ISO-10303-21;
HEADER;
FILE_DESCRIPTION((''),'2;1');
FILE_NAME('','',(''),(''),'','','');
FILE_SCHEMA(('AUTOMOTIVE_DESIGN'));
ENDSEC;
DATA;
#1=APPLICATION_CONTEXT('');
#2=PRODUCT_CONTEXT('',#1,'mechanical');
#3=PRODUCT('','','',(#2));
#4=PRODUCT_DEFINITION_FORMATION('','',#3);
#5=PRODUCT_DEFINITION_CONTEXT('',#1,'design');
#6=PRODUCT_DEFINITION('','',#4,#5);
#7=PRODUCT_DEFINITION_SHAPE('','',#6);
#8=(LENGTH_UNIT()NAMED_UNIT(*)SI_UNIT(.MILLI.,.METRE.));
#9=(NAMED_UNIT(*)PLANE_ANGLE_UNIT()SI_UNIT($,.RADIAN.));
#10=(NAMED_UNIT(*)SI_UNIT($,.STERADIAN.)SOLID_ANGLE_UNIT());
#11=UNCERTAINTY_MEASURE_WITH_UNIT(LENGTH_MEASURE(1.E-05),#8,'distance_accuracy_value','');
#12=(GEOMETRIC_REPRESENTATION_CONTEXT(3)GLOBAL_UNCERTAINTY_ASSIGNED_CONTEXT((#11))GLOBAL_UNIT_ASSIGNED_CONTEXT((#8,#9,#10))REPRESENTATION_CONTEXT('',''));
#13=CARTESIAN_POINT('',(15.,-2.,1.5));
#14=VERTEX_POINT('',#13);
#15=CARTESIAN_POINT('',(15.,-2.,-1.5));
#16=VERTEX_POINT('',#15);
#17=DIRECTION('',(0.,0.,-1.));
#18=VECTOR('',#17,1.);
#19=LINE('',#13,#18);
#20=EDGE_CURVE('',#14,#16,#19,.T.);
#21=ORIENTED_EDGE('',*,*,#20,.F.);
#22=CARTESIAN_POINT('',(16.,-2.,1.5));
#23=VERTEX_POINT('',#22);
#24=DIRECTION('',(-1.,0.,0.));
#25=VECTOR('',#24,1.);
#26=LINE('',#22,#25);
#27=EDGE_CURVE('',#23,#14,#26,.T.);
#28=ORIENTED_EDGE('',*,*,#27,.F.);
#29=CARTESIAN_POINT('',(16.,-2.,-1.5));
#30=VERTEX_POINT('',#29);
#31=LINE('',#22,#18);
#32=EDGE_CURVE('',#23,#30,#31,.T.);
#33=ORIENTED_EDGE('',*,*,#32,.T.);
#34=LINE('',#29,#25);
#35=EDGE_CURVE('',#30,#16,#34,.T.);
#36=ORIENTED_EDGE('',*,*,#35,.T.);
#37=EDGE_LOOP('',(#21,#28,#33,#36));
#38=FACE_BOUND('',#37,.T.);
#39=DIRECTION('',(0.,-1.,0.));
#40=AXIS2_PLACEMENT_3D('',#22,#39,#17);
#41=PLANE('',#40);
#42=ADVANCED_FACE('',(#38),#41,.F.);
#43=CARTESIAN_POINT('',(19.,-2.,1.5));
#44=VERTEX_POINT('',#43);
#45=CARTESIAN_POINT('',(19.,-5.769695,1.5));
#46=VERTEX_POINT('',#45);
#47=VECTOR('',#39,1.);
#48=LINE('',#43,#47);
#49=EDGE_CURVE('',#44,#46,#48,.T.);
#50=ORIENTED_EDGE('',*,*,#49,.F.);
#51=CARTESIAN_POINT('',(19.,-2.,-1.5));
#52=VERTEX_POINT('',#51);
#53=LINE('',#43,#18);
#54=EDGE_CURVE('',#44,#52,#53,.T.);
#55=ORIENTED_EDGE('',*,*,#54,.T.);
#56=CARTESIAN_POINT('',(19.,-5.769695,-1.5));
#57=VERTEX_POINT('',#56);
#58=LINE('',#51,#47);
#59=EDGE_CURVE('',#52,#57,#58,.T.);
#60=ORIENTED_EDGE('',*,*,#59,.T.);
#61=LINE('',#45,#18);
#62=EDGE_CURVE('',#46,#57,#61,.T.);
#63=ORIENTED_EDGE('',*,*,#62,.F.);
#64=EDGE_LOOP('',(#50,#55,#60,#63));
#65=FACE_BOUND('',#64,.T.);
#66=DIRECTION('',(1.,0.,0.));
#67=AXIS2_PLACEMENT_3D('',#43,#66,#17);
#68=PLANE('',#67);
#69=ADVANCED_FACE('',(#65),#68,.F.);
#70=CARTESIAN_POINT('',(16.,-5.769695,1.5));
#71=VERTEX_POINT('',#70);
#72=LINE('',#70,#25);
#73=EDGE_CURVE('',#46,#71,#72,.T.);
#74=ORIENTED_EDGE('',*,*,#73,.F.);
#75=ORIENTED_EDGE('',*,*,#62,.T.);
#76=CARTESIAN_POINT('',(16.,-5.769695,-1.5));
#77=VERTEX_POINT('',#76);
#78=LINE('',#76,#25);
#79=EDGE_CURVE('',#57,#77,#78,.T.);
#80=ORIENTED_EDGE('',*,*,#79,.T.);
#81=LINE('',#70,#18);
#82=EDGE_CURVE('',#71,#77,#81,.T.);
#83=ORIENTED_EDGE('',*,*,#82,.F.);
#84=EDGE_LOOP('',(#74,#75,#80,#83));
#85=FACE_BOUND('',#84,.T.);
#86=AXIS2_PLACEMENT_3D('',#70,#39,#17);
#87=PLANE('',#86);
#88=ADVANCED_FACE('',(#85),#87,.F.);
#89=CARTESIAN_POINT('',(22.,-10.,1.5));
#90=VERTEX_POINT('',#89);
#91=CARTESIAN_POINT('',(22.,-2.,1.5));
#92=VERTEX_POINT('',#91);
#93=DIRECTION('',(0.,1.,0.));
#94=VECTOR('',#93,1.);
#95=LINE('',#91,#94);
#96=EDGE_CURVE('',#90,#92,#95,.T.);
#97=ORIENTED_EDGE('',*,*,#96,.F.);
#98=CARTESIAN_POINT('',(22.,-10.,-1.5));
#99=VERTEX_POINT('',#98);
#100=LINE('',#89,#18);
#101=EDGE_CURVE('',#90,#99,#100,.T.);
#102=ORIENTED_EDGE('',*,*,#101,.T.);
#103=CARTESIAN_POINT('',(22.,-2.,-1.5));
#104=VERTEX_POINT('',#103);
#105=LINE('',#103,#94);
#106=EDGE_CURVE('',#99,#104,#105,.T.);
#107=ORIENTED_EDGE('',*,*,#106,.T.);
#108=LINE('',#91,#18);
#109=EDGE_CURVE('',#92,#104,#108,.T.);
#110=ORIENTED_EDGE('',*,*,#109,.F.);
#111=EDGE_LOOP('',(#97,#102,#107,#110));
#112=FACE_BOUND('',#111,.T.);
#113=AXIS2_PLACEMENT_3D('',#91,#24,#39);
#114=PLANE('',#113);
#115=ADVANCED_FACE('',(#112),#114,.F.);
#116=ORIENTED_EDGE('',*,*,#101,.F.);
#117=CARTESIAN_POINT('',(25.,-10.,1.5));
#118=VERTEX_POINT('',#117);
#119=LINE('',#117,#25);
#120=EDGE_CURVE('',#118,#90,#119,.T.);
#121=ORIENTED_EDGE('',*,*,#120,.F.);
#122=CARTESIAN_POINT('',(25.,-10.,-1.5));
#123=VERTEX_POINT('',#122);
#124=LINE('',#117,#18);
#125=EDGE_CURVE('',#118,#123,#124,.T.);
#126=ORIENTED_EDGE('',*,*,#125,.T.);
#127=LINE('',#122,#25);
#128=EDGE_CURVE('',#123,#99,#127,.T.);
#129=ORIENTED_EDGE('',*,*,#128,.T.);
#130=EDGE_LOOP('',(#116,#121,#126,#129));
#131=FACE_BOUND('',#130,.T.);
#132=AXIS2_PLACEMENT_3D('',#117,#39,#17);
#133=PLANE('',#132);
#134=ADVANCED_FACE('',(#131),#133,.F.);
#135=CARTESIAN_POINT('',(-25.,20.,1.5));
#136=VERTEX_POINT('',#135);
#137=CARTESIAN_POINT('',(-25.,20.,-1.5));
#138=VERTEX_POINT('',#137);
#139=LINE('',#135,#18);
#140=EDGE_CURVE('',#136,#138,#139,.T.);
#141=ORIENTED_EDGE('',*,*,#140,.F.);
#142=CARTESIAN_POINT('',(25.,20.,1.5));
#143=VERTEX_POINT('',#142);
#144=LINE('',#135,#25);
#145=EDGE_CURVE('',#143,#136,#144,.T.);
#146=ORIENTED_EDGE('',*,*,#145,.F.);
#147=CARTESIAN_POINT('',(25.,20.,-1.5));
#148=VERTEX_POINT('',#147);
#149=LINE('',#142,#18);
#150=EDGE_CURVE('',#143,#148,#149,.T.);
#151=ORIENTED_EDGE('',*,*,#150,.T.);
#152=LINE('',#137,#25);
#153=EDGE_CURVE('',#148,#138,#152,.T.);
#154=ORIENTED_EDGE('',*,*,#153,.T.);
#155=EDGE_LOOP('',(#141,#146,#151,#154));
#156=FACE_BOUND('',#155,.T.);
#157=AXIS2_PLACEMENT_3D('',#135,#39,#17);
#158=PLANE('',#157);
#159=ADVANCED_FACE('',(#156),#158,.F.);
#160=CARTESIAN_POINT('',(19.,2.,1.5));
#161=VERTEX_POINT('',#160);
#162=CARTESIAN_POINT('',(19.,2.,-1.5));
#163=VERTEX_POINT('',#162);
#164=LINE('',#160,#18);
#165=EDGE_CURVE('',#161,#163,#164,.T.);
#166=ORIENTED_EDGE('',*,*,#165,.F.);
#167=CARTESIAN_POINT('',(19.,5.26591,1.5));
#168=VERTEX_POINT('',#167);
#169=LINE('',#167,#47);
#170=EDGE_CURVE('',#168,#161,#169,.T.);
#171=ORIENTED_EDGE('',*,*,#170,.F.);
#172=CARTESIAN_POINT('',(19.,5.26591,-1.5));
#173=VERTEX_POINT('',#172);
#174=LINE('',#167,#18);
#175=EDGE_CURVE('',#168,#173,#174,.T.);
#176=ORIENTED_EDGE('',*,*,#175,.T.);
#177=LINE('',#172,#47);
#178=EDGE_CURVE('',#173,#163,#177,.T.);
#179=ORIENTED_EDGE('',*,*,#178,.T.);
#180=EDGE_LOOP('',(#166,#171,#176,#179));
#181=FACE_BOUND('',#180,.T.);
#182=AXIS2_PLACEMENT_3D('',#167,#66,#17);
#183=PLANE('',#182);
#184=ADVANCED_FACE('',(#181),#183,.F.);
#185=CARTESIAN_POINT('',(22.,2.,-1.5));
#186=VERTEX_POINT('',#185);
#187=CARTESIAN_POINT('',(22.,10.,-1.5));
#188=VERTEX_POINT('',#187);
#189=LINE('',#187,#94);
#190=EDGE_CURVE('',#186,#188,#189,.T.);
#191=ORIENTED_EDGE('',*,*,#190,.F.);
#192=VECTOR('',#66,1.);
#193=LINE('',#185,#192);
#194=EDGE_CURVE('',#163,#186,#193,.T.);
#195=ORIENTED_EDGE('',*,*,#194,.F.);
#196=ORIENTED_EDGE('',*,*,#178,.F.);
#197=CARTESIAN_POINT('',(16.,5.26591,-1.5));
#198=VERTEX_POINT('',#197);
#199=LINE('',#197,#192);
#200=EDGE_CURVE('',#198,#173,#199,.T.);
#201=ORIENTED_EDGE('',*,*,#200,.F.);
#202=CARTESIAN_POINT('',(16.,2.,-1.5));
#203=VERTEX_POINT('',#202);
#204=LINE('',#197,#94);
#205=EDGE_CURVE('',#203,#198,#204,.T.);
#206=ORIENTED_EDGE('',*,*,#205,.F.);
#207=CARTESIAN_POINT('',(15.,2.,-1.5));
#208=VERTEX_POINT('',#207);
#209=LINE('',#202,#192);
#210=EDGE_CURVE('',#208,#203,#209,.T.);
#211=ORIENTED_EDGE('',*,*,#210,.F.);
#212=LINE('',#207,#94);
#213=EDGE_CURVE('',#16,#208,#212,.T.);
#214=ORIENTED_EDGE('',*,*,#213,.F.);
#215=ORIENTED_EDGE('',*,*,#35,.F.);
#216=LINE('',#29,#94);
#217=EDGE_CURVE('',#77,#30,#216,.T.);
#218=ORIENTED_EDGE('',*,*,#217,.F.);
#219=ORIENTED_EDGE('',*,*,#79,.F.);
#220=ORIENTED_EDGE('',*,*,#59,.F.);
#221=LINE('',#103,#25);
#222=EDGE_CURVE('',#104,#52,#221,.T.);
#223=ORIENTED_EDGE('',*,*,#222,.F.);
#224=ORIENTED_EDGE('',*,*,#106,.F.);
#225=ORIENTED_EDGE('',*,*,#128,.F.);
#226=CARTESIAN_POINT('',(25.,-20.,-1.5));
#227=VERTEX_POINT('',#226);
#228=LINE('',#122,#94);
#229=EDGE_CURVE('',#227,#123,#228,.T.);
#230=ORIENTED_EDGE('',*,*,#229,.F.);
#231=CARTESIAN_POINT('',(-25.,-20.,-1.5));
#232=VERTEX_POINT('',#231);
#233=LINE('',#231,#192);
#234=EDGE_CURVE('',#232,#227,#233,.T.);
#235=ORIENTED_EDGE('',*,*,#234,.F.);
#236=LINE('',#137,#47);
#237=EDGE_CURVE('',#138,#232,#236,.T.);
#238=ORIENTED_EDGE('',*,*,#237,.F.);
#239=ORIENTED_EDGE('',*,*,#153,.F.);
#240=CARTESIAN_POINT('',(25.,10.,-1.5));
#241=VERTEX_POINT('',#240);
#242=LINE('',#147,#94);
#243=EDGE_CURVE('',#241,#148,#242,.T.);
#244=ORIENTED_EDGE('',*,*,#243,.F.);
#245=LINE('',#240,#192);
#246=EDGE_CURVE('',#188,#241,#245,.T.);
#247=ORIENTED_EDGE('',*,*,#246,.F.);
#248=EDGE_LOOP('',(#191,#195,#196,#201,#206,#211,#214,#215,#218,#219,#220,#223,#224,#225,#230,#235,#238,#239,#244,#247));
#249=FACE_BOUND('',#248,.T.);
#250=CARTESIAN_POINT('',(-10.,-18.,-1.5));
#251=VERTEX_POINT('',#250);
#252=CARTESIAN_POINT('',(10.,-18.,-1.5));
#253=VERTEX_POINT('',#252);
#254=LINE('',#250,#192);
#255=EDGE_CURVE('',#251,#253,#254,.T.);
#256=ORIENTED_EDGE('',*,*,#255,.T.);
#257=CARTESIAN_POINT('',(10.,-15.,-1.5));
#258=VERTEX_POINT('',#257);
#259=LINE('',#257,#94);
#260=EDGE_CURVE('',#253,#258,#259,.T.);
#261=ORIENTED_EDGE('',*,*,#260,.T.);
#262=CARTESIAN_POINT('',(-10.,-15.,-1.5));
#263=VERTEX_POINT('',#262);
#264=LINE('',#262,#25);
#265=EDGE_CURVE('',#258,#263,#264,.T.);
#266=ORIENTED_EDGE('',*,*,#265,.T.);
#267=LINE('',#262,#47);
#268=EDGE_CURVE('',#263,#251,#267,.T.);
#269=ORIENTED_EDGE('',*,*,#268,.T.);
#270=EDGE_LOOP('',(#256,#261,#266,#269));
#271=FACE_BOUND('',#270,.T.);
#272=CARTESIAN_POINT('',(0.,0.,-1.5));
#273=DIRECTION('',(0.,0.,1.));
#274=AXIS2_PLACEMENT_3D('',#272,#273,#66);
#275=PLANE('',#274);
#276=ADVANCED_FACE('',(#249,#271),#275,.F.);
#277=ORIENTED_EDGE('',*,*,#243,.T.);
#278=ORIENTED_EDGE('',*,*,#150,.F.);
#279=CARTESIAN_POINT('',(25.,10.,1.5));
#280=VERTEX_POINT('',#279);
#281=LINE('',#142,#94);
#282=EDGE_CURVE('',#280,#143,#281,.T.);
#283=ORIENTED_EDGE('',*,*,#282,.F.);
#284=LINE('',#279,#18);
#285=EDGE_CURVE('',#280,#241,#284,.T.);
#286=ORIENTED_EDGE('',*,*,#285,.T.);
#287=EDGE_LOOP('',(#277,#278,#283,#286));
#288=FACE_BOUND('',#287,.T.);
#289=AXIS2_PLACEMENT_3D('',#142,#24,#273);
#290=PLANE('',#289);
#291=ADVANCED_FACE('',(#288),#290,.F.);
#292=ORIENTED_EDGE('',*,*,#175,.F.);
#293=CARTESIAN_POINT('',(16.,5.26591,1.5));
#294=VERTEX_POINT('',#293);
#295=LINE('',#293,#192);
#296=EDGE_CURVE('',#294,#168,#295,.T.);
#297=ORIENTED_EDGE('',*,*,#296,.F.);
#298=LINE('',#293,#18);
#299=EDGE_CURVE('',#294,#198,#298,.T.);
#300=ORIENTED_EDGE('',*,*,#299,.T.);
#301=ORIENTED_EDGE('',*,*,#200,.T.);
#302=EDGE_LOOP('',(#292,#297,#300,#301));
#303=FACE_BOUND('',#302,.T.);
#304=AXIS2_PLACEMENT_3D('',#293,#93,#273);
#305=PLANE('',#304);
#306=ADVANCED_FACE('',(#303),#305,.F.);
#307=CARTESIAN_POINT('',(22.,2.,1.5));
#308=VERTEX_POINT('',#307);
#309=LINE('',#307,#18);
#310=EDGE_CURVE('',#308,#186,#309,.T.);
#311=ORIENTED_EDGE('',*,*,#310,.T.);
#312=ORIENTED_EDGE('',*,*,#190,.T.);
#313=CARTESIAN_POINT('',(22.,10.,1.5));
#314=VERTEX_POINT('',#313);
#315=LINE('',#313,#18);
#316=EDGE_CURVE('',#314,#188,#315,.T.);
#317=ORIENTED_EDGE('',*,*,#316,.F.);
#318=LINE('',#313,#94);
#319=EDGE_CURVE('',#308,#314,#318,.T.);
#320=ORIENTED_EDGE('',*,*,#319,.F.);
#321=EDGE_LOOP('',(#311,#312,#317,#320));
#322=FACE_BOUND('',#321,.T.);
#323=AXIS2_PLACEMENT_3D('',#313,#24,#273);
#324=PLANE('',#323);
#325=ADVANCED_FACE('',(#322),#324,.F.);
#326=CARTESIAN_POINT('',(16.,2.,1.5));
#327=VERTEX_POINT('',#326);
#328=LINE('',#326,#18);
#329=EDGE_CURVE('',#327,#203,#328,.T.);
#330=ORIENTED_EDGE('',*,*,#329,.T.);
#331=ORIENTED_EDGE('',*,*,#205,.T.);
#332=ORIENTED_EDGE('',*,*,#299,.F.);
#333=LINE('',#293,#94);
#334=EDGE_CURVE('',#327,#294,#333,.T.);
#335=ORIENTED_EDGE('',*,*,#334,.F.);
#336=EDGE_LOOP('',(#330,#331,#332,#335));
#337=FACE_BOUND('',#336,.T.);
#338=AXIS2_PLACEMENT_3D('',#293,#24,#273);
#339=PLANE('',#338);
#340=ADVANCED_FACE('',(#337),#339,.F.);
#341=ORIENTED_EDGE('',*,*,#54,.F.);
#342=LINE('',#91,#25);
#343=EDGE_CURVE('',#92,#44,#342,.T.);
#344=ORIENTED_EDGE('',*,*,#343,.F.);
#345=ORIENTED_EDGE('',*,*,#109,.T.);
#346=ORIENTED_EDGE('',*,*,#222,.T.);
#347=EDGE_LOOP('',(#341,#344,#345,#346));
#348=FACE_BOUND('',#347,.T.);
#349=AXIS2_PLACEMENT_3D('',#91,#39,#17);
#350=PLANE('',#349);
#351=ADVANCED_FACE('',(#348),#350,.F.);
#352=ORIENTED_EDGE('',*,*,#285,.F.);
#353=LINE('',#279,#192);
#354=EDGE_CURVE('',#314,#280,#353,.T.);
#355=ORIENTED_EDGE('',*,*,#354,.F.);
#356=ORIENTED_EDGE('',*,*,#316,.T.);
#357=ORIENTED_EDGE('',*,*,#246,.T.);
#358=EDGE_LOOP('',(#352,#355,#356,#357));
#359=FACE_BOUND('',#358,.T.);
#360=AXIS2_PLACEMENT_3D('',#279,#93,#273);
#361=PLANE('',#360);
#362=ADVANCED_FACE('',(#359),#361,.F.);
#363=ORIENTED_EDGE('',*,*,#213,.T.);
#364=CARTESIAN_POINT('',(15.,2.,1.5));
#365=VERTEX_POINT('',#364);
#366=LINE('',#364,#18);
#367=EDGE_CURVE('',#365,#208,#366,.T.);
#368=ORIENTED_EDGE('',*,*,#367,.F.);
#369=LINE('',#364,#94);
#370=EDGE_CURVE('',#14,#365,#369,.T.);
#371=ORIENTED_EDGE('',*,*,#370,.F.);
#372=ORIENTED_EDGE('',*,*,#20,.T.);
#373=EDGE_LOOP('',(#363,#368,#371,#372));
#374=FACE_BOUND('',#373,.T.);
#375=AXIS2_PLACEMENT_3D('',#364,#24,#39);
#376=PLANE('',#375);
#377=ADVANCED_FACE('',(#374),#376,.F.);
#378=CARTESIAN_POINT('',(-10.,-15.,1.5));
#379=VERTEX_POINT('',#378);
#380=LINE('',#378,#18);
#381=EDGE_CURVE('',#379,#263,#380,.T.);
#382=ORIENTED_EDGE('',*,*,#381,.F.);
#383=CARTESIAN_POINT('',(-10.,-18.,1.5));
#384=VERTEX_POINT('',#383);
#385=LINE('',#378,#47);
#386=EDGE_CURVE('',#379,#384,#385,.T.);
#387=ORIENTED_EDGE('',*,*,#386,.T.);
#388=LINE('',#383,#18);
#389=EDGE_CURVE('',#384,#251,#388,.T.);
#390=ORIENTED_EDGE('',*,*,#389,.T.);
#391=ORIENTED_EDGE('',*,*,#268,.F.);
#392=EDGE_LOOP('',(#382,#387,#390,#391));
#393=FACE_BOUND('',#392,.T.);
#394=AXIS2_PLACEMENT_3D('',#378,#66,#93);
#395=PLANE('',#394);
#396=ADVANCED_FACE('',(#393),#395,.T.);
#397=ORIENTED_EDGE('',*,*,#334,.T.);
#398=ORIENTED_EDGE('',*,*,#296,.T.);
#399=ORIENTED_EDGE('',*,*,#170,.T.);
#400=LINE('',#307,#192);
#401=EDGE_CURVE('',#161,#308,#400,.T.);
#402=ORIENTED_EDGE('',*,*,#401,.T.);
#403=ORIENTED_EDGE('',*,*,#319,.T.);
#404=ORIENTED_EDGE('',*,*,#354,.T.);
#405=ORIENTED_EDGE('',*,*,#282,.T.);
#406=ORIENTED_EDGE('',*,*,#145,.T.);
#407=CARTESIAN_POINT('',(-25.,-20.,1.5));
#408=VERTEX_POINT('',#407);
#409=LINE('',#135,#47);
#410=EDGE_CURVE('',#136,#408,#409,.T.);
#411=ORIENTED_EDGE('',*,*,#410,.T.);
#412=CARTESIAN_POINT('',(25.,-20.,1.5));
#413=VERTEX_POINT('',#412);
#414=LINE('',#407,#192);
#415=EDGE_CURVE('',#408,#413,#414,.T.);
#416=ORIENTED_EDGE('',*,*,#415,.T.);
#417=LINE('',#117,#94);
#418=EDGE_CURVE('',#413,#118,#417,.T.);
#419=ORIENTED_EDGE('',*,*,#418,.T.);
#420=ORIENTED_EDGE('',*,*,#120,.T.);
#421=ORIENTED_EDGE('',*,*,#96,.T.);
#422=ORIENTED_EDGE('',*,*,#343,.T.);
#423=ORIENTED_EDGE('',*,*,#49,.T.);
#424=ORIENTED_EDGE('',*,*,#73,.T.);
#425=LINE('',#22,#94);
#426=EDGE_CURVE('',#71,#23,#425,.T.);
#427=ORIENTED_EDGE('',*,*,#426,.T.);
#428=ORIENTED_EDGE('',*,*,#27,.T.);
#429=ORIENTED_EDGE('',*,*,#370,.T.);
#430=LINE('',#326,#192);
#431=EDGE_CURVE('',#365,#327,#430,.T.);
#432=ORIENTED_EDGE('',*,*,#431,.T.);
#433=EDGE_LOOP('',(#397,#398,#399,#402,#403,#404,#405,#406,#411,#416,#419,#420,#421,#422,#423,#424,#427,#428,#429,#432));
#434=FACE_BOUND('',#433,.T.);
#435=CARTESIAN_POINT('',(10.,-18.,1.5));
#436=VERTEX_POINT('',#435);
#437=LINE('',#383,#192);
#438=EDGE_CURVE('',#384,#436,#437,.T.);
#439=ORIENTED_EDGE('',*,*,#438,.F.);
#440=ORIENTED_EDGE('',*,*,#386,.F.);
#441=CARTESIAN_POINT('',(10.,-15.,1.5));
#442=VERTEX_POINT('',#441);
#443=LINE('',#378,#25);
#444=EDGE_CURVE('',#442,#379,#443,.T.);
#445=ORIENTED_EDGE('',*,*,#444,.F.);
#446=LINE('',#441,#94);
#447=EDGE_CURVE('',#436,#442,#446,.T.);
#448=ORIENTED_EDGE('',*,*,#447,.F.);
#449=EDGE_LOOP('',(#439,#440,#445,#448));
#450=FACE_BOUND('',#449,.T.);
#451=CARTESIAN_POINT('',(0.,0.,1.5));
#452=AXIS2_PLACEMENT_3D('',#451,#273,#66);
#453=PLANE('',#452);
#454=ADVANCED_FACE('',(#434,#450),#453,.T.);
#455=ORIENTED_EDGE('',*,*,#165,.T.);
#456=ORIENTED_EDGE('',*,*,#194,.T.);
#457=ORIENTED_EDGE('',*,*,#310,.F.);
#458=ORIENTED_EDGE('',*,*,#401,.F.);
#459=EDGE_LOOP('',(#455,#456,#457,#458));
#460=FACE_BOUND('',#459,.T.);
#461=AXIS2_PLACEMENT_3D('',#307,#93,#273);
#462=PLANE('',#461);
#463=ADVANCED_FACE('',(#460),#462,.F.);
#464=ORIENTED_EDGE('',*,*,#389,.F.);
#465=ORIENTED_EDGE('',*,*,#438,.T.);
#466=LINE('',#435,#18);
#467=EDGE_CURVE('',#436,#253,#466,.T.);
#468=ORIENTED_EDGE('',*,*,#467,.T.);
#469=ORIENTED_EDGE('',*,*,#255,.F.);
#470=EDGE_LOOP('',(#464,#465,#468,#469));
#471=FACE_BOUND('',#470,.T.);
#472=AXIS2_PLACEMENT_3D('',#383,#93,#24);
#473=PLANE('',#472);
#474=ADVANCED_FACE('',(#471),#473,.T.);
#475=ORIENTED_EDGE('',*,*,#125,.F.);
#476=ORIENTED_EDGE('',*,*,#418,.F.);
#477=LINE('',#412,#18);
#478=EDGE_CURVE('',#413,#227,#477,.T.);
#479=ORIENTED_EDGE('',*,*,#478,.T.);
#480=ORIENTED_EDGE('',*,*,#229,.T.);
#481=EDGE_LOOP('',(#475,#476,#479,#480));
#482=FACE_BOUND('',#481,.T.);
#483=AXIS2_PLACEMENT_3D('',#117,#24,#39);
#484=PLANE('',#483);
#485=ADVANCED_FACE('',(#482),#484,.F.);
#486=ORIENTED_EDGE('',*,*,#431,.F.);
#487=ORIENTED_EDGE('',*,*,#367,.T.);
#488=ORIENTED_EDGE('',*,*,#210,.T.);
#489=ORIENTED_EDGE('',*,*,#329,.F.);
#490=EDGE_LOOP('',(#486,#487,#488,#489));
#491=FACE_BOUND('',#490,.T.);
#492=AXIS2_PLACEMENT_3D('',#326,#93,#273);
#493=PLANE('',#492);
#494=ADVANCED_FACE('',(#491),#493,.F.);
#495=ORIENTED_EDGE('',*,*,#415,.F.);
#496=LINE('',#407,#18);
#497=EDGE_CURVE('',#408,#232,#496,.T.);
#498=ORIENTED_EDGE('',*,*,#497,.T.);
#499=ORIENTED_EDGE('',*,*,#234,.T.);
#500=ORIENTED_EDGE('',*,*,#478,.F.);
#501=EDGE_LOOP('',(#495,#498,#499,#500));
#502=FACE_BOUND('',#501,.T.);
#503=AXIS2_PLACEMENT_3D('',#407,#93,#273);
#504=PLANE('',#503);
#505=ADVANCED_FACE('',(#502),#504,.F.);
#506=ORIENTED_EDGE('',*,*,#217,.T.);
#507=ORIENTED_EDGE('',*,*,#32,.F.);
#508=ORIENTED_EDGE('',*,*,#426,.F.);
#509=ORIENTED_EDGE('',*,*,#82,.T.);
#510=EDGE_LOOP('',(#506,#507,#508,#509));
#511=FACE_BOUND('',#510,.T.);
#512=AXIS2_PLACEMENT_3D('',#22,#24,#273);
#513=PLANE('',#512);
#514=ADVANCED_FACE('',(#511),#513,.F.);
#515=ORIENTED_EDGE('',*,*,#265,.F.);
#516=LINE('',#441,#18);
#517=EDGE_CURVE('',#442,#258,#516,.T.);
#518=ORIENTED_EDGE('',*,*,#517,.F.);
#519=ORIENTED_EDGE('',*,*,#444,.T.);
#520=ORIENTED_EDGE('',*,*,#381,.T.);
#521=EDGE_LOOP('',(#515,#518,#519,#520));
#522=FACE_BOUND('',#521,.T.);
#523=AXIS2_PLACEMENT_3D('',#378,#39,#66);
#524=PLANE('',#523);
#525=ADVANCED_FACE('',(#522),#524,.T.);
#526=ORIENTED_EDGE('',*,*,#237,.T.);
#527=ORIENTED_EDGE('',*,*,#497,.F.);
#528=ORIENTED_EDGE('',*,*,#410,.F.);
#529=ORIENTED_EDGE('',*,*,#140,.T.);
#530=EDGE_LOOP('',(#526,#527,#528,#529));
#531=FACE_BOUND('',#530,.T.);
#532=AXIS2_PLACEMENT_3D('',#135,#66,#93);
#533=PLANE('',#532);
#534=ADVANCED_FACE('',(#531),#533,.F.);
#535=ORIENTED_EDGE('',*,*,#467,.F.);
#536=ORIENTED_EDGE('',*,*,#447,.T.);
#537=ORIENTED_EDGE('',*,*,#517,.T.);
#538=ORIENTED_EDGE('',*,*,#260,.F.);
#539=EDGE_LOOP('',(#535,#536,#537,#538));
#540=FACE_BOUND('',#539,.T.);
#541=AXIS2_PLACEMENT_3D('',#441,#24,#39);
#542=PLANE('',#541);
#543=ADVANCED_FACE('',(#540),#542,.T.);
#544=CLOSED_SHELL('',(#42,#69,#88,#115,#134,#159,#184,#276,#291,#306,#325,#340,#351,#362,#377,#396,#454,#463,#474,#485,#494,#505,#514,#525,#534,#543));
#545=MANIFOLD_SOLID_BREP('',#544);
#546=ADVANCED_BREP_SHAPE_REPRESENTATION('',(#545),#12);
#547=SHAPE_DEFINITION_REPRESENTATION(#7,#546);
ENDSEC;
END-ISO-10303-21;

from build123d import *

# Parameters (mm, degrees)
SKETCH_1_W      = 20
SKETCH_1_H      = 3
EXTRUDE_1_DEPTH = 1.5


with BuildPart() as part:
    # 草图1 → 凸台-拉伸1 (new body, symmetric)
    with BuildSketch(Plane.XY):
        Polygon((-25, 20), (25, 20), (25, 10), (22, 10), (22, 2), (19, 2), (19, 5.265909841), (16, 5.265909841), (16, 2), (15, 2), (15, -2), (16, -2), (16, -5.769694942), (19, -5.769694942), (19, -2), (22, -2), (22, -10), (25, -10), (25, -20), (-25, -20), align=None)
        with Locations((0, -16.5)):
            Rectangle(SKETCH_1_W, SKETCH_1_H, mode=Mode.SUBTRACT)
    extrude(amount=EXTRUDE_1_DEPTH, both=True)


solid = part.part
